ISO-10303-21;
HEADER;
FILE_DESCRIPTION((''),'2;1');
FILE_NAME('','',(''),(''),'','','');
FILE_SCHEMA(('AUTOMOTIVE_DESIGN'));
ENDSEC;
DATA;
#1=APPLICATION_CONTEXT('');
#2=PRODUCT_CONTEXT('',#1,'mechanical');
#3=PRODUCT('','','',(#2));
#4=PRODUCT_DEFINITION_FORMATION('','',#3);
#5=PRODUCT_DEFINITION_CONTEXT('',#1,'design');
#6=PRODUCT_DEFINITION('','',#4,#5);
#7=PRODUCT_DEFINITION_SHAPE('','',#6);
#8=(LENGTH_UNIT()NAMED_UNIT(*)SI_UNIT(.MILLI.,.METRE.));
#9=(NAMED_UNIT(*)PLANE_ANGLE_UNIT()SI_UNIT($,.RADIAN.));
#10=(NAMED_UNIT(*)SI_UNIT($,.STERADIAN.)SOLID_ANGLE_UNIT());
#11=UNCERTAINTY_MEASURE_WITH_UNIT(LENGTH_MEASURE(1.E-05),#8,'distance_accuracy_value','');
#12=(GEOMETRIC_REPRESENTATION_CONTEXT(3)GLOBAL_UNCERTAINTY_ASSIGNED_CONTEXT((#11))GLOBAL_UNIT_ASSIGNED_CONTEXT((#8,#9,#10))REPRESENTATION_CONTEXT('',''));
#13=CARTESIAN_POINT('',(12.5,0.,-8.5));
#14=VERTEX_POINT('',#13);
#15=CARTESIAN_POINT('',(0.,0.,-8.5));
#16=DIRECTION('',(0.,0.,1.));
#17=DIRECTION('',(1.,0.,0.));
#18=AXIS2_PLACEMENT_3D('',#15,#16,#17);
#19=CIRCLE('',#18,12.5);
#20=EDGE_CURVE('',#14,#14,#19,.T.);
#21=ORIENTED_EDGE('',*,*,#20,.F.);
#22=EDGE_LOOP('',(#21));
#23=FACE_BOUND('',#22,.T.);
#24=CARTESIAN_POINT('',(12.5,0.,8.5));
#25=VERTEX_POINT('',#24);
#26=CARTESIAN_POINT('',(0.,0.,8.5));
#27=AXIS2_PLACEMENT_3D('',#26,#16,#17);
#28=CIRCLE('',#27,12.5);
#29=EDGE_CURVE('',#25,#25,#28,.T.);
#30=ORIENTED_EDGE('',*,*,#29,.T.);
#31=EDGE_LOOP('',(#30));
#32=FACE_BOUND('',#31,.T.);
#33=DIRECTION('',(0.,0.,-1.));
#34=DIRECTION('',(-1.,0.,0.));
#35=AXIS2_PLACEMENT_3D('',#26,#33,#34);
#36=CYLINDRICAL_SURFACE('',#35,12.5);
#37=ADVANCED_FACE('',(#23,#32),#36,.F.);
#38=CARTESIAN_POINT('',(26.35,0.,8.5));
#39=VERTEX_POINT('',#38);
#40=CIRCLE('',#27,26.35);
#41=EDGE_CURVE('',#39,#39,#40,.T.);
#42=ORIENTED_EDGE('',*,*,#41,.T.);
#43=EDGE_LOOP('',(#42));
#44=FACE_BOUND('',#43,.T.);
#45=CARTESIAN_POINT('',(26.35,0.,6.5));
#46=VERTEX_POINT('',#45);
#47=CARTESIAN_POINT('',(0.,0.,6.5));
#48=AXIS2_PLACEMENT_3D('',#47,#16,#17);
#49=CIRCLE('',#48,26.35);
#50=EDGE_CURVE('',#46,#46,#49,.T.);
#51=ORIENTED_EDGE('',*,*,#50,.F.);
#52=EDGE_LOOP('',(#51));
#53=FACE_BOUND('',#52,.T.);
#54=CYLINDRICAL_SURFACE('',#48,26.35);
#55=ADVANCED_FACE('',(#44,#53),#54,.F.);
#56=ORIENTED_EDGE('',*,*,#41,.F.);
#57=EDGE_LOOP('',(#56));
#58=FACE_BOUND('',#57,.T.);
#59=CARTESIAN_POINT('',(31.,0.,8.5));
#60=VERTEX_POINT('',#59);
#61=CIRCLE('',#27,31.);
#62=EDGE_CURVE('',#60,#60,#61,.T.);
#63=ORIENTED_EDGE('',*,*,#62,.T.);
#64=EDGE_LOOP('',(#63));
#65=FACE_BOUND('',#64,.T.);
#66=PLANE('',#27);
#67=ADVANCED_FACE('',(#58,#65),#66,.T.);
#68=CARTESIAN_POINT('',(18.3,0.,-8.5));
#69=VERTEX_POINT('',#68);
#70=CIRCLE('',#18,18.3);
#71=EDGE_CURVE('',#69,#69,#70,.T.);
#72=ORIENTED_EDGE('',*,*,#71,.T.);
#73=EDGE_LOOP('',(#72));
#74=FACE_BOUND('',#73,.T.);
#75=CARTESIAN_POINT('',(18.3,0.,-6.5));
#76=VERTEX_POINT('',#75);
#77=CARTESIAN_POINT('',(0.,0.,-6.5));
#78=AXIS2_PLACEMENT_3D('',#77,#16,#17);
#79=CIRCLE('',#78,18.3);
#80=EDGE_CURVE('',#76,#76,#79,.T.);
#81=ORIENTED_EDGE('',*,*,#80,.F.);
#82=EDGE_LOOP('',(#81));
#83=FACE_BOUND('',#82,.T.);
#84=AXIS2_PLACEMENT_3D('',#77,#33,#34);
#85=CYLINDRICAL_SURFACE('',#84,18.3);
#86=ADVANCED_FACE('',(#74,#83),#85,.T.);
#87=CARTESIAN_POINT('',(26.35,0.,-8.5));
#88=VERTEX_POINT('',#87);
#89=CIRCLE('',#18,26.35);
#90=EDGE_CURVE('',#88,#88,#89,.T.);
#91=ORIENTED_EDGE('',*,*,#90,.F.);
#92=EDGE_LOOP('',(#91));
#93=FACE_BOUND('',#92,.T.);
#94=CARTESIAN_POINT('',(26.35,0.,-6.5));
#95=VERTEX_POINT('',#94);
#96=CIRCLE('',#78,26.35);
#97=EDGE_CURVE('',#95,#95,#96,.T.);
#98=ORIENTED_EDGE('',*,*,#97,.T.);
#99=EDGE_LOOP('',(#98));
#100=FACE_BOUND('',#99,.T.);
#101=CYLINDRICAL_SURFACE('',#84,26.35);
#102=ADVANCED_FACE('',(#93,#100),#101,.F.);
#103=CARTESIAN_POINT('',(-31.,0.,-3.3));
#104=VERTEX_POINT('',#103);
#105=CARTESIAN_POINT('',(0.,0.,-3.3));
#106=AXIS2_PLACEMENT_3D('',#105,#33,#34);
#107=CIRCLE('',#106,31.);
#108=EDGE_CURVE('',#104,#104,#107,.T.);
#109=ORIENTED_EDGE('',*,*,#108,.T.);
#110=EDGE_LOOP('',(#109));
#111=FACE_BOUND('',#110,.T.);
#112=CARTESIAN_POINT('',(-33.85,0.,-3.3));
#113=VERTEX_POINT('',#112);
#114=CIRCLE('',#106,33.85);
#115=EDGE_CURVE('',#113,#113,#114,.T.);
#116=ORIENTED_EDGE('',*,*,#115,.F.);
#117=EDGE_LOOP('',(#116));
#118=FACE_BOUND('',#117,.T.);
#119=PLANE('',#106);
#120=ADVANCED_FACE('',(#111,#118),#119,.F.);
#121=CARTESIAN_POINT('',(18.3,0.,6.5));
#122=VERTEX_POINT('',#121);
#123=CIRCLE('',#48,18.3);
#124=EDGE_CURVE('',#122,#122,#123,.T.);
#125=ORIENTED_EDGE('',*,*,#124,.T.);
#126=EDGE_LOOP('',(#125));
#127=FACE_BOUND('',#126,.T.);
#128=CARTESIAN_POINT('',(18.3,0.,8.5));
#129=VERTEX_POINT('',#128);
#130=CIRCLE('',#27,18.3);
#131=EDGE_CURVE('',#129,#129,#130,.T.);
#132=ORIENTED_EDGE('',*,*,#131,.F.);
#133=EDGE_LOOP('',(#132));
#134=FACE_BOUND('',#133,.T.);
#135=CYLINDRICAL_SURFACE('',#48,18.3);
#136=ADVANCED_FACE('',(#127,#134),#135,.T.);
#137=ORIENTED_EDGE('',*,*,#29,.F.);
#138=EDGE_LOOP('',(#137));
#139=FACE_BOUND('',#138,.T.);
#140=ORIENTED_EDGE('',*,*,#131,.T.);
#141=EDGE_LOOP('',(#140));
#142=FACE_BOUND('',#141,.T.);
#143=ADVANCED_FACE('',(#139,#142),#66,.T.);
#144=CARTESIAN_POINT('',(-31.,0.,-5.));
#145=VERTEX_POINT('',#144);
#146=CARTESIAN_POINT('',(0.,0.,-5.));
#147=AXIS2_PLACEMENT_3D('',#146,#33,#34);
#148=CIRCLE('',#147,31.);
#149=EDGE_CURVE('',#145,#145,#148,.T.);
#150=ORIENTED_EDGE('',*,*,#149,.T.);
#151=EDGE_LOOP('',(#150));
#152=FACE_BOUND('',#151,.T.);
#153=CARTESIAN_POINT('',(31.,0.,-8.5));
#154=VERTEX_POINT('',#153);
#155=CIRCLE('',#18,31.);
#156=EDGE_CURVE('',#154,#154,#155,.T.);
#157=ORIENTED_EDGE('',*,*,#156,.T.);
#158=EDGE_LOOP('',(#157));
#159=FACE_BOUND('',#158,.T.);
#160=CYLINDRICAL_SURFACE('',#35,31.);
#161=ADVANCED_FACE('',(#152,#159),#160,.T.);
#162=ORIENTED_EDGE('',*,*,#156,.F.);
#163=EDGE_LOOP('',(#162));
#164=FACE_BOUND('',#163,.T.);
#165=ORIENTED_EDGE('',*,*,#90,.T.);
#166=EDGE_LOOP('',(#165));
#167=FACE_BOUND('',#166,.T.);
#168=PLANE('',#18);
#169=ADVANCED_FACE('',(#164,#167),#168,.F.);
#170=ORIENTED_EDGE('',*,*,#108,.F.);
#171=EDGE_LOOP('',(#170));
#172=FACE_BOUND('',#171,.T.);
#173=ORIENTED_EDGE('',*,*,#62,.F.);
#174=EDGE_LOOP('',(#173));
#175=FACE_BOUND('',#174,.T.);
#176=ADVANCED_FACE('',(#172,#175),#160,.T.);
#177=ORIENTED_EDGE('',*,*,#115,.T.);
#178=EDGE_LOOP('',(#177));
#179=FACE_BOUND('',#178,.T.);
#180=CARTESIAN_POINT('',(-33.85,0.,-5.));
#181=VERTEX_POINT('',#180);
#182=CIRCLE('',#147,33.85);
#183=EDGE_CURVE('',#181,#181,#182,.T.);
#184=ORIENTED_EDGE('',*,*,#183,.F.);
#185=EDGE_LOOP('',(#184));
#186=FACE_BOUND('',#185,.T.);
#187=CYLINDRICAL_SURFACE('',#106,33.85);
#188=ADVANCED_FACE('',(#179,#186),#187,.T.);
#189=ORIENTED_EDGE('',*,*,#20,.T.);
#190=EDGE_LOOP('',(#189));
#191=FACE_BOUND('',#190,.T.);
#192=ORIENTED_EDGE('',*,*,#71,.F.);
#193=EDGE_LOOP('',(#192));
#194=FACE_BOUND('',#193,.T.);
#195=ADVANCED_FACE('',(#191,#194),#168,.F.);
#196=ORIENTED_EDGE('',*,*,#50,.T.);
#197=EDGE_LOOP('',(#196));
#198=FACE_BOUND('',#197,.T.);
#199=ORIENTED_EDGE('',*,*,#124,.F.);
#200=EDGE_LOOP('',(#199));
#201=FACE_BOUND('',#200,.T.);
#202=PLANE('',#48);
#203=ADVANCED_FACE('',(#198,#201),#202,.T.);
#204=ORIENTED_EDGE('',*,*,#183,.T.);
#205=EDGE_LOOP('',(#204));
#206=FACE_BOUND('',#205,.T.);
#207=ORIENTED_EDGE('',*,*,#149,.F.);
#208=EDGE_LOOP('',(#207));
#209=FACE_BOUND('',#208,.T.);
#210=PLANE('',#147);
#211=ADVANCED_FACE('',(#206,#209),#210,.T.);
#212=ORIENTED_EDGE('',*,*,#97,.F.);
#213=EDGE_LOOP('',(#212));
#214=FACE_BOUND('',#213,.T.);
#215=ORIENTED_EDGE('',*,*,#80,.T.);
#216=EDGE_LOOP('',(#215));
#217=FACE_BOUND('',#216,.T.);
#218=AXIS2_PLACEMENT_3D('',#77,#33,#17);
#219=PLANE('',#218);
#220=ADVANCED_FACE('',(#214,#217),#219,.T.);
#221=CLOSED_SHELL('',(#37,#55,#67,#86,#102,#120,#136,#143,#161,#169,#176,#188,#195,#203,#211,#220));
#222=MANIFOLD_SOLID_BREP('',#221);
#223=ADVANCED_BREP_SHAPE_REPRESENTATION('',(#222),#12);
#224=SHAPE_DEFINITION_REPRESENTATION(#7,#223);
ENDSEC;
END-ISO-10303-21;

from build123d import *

# Parameters (mm, degrees)
SKETCH1_R           = 31
SKETCH1_R_2         = 12.5
BOSS_EXTRUDE1_DEPTH = 8.5
SKETCH3_R           = 26.35
SKETCH3_R_2         = 18.3
CUT_EXTRUDE1_DEPTH  = 2
BOSS_EXTRUDE2_START = -1.7
SKETCH4_R           = 33.85
SKETCH4_R_2         = 31
BOSS_EXTRUDE2_DEPTH = 1.7


with BuildPart() as part:
    # Sketch1 → Boss-Extrude1 (new, symmetric)
    with BuildSketch(Plane.XY):
        Circle(SKETCH1_R)
        Circle(SKETCH1_R_2, mode=Mode.SUBTRACT)
    extrude(amount=BOSS_EXTRUDE1_DEPTH, both=True)

    # Sketch3 → Cut-Extrude1 (cut)
    with BuildSketch(Plane.XY.offset(8.5)):
        Circle(SKETCH3_R)
        Circle(SKETCH3_R_2, mode=Mode.SUBTRACT)
    cut_extrude1 = extrude(amount=-CUT_EXTRUDE1_DEPTH, mode=Mode.SUBTRACT)

    # Mirror1: Cut-Extrude1 across plane
    add(cut_extrude1.mirror(Plane.XY), mode=Mode.SUBTRACT)

    # Sketch4 → Boss-Extrude2 (add)
    with BuildSketch(Plane(origin=(0, 0, -5), x_dir=(-1, 0, 0), z_dir=(0, 0, -1)).offset(BOSS_EXTRUDE2_START)):
        Circle(SKETCH4_R)
        Circle(SKETCH4_R_2, mode=Mode.SUBTRACT)
    extrude(amount=BOSS_EXTRUDE2_DEPTH)


solid = part.part
